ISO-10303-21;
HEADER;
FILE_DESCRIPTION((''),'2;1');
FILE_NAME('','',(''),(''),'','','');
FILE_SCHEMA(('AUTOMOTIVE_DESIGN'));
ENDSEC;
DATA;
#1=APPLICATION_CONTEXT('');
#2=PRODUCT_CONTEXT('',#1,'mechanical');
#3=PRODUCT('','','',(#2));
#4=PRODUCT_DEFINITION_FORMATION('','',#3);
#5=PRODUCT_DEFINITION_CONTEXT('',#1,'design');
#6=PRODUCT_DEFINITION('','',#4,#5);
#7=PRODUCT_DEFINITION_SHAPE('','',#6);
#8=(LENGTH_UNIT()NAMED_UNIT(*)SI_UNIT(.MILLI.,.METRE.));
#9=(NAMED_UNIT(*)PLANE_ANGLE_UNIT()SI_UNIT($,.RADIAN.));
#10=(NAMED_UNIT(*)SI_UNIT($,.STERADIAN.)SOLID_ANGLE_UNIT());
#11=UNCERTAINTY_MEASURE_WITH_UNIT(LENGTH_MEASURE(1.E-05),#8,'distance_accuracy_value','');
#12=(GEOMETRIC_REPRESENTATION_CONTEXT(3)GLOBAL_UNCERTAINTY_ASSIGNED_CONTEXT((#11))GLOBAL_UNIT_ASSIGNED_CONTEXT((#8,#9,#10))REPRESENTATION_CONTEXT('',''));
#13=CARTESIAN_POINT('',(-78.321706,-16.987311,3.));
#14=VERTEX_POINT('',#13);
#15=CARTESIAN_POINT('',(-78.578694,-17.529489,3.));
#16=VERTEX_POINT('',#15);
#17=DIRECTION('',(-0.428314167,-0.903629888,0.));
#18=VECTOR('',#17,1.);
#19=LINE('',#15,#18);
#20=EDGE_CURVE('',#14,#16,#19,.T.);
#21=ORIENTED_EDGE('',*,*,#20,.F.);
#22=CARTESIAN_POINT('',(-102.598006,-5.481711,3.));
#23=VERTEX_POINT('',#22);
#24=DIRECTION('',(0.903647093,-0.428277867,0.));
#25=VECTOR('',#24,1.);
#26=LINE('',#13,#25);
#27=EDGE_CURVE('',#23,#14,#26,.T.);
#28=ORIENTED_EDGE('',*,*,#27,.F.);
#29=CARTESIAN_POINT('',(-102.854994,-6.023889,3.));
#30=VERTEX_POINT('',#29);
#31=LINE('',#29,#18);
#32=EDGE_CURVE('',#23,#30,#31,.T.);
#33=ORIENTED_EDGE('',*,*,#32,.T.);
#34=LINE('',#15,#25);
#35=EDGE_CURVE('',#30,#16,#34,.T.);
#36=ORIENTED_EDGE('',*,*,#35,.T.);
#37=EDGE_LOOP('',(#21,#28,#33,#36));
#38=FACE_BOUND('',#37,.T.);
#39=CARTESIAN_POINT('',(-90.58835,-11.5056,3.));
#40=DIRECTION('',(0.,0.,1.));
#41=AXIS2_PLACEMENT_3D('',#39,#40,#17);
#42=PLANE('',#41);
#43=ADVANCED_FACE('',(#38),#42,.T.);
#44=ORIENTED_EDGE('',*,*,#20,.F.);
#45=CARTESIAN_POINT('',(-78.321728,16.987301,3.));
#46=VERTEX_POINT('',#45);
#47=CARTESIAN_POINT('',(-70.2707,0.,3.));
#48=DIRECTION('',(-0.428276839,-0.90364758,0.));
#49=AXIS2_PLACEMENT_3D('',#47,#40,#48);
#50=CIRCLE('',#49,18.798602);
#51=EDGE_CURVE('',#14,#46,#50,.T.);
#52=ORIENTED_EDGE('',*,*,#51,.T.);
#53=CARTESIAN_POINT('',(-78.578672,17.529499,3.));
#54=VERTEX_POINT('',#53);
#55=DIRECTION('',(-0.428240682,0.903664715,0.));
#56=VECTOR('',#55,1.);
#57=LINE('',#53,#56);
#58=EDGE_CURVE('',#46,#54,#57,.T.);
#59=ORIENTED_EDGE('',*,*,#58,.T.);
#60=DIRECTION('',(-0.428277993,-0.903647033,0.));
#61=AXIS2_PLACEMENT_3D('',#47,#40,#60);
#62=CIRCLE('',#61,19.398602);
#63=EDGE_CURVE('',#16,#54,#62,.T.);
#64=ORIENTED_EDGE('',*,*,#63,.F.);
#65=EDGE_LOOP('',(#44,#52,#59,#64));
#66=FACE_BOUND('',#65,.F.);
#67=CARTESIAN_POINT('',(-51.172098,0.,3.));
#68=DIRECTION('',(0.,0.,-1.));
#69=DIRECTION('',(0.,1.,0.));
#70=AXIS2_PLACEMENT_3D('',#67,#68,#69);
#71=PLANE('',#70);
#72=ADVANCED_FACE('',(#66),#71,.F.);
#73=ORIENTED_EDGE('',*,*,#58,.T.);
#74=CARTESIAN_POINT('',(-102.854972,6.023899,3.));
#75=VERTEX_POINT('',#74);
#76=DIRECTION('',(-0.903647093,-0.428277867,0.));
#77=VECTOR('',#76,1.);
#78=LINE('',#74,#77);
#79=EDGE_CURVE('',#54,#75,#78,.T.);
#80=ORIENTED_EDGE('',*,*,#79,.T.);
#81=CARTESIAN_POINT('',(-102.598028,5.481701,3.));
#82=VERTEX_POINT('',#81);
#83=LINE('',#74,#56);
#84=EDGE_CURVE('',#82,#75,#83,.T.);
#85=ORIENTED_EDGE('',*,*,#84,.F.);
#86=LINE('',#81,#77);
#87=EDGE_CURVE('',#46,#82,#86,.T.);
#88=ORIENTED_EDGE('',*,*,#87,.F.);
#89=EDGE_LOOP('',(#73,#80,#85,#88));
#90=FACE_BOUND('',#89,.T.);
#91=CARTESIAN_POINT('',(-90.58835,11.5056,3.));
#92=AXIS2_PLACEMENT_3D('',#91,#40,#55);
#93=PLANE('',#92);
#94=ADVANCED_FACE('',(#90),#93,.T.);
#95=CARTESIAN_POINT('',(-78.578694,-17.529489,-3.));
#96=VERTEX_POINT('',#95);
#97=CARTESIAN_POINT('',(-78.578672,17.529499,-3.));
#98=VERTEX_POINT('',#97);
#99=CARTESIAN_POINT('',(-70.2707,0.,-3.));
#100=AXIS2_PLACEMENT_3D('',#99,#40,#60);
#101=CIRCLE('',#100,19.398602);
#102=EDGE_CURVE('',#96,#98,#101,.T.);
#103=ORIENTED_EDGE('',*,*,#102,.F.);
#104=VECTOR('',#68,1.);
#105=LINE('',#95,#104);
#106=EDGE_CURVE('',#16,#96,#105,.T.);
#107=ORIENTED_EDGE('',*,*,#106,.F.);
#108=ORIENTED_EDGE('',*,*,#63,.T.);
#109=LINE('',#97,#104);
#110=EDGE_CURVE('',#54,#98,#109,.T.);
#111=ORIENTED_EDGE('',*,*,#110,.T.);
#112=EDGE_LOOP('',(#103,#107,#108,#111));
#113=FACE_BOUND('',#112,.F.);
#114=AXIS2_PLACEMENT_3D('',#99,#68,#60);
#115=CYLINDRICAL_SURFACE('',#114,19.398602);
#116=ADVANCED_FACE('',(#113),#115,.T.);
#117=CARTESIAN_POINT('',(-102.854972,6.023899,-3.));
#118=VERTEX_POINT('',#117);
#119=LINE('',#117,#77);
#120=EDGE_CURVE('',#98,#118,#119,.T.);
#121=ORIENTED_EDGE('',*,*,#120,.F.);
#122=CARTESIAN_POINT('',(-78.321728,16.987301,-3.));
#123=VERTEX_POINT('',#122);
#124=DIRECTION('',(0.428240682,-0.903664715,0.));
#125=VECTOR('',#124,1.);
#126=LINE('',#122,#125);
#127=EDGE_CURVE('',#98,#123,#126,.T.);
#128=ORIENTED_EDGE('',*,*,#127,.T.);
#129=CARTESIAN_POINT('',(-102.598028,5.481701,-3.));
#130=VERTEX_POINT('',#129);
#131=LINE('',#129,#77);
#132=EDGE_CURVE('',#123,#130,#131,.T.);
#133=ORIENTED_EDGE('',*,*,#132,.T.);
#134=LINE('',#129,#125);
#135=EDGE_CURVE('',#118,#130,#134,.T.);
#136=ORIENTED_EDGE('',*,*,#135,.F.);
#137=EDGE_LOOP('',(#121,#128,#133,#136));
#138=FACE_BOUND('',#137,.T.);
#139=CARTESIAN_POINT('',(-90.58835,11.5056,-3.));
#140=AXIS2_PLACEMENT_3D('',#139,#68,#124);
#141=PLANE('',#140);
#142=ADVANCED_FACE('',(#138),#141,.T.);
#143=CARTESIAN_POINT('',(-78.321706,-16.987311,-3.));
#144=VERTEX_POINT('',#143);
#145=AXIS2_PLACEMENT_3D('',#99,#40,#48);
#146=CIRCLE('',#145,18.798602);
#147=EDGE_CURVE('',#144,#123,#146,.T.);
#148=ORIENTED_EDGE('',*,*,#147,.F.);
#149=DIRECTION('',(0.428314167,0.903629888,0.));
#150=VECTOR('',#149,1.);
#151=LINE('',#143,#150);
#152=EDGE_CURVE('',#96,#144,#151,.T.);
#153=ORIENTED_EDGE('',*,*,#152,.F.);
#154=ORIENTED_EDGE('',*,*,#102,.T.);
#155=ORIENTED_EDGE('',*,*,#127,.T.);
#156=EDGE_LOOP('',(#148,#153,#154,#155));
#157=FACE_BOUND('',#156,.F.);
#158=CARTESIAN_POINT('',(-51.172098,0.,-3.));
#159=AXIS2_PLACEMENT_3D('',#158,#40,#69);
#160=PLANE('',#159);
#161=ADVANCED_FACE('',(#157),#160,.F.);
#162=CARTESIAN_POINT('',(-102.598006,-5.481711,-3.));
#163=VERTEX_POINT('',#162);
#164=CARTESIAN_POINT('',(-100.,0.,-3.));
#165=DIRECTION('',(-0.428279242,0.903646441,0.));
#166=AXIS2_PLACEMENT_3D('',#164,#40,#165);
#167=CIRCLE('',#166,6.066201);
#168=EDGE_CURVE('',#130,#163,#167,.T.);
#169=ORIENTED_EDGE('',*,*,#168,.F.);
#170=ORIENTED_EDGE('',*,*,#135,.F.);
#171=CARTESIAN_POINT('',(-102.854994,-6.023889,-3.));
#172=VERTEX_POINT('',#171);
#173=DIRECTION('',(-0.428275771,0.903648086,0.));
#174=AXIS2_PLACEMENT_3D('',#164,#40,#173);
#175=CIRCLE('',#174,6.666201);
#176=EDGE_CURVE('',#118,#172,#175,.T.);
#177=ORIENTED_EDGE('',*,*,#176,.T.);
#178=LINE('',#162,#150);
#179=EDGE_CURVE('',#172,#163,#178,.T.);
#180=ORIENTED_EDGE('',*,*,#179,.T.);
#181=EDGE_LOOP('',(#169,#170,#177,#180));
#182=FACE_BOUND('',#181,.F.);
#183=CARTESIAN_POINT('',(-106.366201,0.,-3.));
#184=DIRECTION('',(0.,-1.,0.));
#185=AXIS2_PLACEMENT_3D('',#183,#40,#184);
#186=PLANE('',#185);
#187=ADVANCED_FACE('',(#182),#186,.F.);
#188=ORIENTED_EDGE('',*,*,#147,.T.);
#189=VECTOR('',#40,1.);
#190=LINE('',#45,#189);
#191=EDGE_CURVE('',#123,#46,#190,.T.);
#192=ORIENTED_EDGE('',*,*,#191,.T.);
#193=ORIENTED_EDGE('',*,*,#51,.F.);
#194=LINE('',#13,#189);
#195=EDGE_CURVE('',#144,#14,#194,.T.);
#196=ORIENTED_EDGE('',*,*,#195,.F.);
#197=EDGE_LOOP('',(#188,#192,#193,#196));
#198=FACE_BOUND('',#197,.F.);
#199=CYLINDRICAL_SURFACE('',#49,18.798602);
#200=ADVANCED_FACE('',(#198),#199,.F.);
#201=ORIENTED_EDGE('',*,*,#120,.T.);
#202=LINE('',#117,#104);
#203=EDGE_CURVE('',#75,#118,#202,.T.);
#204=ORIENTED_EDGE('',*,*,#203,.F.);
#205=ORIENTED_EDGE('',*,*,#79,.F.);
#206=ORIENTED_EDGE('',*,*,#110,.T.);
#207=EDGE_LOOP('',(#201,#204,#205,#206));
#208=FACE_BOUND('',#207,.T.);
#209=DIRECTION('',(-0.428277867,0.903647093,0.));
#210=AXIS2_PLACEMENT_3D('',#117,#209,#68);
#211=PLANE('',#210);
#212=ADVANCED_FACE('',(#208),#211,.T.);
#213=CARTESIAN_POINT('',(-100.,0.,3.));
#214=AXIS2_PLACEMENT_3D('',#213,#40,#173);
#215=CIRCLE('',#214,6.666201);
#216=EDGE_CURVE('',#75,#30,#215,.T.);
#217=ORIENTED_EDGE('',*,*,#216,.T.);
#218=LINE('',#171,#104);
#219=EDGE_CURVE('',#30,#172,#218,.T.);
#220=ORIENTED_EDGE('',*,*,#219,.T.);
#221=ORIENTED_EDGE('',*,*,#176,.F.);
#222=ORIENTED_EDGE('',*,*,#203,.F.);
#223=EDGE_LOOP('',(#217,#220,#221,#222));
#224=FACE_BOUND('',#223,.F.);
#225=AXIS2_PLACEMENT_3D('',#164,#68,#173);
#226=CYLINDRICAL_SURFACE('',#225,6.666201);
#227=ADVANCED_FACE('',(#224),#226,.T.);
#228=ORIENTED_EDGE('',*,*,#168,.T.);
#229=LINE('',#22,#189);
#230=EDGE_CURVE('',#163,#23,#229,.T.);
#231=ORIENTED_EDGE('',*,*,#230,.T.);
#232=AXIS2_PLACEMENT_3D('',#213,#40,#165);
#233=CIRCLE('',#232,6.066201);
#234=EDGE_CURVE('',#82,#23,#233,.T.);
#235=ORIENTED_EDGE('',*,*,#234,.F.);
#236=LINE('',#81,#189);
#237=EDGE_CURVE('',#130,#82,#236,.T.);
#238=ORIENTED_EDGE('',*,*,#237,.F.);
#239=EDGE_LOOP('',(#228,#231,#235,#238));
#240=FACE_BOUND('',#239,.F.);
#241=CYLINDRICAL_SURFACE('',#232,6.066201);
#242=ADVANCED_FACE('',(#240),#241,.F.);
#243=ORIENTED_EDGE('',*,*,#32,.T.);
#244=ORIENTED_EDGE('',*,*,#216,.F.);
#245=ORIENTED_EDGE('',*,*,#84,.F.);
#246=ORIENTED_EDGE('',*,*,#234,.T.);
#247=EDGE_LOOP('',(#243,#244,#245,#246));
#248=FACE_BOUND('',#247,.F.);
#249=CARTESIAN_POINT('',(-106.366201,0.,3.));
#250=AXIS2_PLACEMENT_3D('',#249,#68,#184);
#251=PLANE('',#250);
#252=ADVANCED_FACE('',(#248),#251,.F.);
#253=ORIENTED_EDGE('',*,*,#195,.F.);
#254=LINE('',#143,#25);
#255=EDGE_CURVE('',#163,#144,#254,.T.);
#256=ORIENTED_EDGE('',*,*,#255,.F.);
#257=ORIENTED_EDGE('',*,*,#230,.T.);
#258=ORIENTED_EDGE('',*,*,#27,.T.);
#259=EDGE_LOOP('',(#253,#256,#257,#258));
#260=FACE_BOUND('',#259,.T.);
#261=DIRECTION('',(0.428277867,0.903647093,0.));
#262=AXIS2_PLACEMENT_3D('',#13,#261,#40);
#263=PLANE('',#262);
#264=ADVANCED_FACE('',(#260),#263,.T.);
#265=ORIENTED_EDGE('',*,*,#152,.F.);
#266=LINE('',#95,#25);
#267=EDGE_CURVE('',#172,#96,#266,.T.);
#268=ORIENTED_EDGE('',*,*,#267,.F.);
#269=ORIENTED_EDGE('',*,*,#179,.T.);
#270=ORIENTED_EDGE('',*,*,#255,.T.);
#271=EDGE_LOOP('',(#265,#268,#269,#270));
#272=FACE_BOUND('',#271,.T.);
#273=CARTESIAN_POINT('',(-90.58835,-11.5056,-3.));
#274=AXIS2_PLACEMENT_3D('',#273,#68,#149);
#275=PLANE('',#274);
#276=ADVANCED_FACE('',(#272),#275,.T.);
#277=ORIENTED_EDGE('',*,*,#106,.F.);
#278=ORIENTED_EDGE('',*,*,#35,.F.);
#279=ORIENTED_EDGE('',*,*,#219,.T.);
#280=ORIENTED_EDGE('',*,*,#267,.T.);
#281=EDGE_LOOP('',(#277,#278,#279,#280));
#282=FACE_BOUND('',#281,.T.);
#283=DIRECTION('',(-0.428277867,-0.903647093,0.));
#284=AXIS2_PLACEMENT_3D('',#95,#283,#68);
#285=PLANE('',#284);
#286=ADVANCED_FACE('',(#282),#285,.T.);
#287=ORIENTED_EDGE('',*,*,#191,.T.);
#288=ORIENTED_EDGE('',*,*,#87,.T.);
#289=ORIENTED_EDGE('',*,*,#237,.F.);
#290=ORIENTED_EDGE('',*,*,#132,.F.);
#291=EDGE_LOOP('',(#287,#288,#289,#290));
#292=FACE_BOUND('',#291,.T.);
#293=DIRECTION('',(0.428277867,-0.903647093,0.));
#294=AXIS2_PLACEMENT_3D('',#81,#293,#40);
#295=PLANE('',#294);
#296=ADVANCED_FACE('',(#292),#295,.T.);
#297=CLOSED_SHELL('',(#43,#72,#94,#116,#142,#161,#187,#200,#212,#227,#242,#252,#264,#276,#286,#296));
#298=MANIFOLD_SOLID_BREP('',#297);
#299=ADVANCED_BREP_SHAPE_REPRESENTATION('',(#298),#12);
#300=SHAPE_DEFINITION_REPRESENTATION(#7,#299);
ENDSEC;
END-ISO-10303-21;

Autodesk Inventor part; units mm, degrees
sketch "Skizzenpfad" plane through (0, 0, 0) normal (0, 0, 1) x (1, 0, 0)
  arc A0 (-102.7265, 5.7528) -> (-102.7265, -5.7528) centre (-100, 0) ccw
  arc A1 (-78.4502, -17.2584) -> (-78.4502, 17.2584) centre (-70.2707, 0) ccw
  line L0 (-78.4502, -17.2584) -> (-102.7265, -5.7528)
  line L1 (-102.7265, 5.7528) -> (-78.4502, 17.2584)
ref_plane "Querschnittsebene" through (-102.7265, -5.7528, 0) normal (0.9036, -0.4283, 0) x (0, 0, 1)
ref_plane "Arbeitsebene2" through (-100, 0, 0) normal (-1, 0, 0) x (0, 0, 1)
ref_plane "Arbeitsebene3" through (-70.2707, 0, 0) normal (-0.9239, -0.3827, 0) x (0, 0, 1)
sketch "Querschnitt" plane through (-102.7265, -5.7528, 0) normal (0.9036, -0.4283, 0) x (0, 0, 1)
  line L0 (-3, 0.3) -> (3, 0.3)
  line L1 (3, 0.3) -> (3, -0.3)
  line L2 (3, -0.3) -> (-3, -0.3)
  line L3 (-3, -0.3) -> (-3, 0.3)
  line L4 (-3, 0) -> (3, 0) construction
  point P0 (0, 0)
  point P1 (0, 0)
  dimension "d0" = 6
  dimension "d4" = 0.3
  dimension "d5" = 0.3
sweep "Riemen" add profiles "Querschnitt" path "Skizzenpfad"
equation "\"d0\" = da_B"
equation "\"d4\" = da_a"
equation "\"d5\" = da_a2"
equation "\"da_B\" = 6"
equation "\"da_pb\" = 2.5"
equation "\"da_L\" = 145"
equation "\"da_a\" = 0.3"
equation "\"da_S\" = 1.5"
equation "\"da_Beta\" = 20deg"
equation "\"da_Ht\" = 0.7"
equation "\"da_H\" = 1.3"
equation "\"da_a2\" = 0.3"
properties part number "Zahnriemen" material "Rubber"
